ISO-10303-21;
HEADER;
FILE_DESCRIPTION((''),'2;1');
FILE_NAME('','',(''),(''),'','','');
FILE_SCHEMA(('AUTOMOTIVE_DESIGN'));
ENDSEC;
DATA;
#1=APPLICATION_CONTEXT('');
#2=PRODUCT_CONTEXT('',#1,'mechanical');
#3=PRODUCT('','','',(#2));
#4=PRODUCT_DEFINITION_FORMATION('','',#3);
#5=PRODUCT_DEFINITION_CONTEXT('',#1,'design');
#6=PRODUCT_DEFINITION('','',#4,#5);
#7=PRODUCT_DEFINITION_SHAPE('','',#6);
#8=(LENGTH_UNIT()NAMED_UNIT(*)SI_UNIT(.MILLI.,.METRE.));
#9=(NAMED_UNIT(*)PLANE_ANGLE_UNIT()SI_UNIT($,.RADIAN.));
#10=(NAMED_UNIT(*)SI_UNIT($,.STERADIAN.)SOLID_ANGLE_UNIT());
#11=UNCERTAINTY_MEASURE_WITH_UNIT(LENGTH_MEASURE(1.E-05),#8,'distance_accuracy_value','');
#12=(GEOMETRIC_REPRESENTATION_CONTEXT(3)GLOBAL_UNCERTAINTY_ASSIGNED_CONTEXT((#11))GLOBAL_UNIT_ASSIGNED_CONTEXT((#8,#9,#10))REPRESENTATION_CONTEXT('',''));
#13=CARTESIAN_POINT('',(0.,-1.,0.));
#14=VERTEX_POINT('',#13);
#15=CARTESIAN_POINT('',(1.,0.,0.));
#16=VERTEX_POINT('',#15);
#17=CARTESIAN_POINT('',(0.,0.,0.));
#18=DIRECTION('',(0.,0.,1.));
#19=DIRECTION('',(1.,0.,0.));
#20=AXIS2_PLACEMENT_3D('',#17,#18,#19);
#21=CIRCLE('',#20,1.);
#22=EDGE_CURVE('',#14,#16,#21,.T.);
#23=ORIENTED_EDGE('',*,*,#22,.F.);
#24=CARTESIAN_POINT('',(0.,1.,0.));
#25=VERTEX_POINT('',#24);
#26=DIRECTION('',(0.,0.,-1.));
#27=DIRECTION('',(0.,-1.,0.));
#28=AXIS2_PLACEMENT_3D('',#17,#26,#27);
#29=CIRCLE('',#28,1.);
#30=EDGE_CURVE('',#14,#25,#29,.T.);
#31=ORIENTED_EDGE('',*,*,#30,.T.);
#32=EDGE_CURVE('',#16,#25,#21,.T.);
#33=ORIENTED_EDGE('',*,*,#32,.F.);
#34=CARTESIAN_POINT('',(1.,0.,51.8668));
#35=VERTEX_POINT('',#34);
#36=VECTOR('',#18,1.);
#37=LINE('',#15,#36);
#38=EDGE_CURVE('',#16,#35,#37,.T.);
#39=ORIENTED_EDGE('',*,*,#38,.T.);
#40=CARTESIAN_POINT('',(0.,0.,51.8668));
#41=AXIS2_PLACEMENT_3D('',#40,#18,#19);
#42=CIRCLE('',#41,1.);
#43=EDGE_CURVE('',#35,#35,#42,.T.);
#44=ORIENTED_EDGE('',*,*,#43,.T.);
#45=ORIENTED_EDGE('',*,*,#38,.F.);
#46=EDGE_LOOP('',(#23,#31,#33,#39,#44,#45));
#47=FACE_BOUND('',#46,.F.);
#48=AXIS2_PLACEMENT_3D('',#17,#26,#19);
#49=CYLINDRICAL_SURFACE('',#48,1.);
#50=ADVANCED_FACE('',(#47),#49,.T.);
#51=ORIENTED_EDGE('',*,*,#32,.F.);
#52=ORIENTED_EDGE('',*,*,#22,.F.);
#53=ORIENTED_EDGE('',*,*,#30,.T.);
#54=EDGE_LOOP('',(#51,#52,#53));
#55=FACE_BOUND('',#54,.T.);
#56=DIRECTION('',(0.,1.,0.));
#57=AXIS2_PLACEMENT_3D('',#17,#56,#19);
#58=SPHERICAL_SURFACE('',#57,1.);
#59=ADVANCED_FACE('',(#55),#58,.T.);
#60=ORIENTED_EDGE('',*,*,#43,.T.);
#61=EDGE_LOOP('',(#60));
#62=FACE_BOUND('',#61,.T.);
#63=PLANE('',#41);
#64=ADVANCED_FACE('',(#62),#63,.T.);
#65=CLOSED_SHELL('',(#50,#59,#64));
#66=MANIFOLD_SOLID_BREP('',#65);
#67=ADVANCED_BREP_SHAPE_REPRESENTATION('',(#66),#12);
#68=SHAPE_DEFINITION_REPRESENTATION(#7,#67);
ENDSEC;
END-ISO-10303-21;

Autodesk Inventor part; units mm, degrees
ref_plane "YZ Plane" through (0, 0, 0) normal (1, 0, 0) x (0, 1, 0)
ref_plane "XZ Plane" through (0, 0, 0) normal (0, 1, 0) x (-1, 0, 0)
ref_plane "XY Plane" through (0, 0, 0) normal (0, 0, 1) x (1, 0, 0)
sketch "Sketch1" plane through (0, 0, 0) normal (0, 0, 1) x (1, 0, 0)
  circle A0 centre (0, 0) radius 1
  dimension "d0" = 2
extrude "Extrusion1" add sketch "Sketch1" along normal blind 51.8668
sketch "Sketch2" plane through (0, 0, 0) normal (1, 0, 0) x (0, 1, 0)
  line L0 (-1, 0) -> (1, 0) projected
  line L1 (1, 0) -> (1, 51.8668) projected
  arc A0 (-1, 0) -> (1, 0) centre (0, 0) ccw
revolve "Revolution1" add sketch "Sketch2" angle 180 mid plane about axis through (0, -1, 0) along (0, 1, 0)
properties part number "2mmBentFromSealRudder" material "Brass, Soft Yellow, Welded"
